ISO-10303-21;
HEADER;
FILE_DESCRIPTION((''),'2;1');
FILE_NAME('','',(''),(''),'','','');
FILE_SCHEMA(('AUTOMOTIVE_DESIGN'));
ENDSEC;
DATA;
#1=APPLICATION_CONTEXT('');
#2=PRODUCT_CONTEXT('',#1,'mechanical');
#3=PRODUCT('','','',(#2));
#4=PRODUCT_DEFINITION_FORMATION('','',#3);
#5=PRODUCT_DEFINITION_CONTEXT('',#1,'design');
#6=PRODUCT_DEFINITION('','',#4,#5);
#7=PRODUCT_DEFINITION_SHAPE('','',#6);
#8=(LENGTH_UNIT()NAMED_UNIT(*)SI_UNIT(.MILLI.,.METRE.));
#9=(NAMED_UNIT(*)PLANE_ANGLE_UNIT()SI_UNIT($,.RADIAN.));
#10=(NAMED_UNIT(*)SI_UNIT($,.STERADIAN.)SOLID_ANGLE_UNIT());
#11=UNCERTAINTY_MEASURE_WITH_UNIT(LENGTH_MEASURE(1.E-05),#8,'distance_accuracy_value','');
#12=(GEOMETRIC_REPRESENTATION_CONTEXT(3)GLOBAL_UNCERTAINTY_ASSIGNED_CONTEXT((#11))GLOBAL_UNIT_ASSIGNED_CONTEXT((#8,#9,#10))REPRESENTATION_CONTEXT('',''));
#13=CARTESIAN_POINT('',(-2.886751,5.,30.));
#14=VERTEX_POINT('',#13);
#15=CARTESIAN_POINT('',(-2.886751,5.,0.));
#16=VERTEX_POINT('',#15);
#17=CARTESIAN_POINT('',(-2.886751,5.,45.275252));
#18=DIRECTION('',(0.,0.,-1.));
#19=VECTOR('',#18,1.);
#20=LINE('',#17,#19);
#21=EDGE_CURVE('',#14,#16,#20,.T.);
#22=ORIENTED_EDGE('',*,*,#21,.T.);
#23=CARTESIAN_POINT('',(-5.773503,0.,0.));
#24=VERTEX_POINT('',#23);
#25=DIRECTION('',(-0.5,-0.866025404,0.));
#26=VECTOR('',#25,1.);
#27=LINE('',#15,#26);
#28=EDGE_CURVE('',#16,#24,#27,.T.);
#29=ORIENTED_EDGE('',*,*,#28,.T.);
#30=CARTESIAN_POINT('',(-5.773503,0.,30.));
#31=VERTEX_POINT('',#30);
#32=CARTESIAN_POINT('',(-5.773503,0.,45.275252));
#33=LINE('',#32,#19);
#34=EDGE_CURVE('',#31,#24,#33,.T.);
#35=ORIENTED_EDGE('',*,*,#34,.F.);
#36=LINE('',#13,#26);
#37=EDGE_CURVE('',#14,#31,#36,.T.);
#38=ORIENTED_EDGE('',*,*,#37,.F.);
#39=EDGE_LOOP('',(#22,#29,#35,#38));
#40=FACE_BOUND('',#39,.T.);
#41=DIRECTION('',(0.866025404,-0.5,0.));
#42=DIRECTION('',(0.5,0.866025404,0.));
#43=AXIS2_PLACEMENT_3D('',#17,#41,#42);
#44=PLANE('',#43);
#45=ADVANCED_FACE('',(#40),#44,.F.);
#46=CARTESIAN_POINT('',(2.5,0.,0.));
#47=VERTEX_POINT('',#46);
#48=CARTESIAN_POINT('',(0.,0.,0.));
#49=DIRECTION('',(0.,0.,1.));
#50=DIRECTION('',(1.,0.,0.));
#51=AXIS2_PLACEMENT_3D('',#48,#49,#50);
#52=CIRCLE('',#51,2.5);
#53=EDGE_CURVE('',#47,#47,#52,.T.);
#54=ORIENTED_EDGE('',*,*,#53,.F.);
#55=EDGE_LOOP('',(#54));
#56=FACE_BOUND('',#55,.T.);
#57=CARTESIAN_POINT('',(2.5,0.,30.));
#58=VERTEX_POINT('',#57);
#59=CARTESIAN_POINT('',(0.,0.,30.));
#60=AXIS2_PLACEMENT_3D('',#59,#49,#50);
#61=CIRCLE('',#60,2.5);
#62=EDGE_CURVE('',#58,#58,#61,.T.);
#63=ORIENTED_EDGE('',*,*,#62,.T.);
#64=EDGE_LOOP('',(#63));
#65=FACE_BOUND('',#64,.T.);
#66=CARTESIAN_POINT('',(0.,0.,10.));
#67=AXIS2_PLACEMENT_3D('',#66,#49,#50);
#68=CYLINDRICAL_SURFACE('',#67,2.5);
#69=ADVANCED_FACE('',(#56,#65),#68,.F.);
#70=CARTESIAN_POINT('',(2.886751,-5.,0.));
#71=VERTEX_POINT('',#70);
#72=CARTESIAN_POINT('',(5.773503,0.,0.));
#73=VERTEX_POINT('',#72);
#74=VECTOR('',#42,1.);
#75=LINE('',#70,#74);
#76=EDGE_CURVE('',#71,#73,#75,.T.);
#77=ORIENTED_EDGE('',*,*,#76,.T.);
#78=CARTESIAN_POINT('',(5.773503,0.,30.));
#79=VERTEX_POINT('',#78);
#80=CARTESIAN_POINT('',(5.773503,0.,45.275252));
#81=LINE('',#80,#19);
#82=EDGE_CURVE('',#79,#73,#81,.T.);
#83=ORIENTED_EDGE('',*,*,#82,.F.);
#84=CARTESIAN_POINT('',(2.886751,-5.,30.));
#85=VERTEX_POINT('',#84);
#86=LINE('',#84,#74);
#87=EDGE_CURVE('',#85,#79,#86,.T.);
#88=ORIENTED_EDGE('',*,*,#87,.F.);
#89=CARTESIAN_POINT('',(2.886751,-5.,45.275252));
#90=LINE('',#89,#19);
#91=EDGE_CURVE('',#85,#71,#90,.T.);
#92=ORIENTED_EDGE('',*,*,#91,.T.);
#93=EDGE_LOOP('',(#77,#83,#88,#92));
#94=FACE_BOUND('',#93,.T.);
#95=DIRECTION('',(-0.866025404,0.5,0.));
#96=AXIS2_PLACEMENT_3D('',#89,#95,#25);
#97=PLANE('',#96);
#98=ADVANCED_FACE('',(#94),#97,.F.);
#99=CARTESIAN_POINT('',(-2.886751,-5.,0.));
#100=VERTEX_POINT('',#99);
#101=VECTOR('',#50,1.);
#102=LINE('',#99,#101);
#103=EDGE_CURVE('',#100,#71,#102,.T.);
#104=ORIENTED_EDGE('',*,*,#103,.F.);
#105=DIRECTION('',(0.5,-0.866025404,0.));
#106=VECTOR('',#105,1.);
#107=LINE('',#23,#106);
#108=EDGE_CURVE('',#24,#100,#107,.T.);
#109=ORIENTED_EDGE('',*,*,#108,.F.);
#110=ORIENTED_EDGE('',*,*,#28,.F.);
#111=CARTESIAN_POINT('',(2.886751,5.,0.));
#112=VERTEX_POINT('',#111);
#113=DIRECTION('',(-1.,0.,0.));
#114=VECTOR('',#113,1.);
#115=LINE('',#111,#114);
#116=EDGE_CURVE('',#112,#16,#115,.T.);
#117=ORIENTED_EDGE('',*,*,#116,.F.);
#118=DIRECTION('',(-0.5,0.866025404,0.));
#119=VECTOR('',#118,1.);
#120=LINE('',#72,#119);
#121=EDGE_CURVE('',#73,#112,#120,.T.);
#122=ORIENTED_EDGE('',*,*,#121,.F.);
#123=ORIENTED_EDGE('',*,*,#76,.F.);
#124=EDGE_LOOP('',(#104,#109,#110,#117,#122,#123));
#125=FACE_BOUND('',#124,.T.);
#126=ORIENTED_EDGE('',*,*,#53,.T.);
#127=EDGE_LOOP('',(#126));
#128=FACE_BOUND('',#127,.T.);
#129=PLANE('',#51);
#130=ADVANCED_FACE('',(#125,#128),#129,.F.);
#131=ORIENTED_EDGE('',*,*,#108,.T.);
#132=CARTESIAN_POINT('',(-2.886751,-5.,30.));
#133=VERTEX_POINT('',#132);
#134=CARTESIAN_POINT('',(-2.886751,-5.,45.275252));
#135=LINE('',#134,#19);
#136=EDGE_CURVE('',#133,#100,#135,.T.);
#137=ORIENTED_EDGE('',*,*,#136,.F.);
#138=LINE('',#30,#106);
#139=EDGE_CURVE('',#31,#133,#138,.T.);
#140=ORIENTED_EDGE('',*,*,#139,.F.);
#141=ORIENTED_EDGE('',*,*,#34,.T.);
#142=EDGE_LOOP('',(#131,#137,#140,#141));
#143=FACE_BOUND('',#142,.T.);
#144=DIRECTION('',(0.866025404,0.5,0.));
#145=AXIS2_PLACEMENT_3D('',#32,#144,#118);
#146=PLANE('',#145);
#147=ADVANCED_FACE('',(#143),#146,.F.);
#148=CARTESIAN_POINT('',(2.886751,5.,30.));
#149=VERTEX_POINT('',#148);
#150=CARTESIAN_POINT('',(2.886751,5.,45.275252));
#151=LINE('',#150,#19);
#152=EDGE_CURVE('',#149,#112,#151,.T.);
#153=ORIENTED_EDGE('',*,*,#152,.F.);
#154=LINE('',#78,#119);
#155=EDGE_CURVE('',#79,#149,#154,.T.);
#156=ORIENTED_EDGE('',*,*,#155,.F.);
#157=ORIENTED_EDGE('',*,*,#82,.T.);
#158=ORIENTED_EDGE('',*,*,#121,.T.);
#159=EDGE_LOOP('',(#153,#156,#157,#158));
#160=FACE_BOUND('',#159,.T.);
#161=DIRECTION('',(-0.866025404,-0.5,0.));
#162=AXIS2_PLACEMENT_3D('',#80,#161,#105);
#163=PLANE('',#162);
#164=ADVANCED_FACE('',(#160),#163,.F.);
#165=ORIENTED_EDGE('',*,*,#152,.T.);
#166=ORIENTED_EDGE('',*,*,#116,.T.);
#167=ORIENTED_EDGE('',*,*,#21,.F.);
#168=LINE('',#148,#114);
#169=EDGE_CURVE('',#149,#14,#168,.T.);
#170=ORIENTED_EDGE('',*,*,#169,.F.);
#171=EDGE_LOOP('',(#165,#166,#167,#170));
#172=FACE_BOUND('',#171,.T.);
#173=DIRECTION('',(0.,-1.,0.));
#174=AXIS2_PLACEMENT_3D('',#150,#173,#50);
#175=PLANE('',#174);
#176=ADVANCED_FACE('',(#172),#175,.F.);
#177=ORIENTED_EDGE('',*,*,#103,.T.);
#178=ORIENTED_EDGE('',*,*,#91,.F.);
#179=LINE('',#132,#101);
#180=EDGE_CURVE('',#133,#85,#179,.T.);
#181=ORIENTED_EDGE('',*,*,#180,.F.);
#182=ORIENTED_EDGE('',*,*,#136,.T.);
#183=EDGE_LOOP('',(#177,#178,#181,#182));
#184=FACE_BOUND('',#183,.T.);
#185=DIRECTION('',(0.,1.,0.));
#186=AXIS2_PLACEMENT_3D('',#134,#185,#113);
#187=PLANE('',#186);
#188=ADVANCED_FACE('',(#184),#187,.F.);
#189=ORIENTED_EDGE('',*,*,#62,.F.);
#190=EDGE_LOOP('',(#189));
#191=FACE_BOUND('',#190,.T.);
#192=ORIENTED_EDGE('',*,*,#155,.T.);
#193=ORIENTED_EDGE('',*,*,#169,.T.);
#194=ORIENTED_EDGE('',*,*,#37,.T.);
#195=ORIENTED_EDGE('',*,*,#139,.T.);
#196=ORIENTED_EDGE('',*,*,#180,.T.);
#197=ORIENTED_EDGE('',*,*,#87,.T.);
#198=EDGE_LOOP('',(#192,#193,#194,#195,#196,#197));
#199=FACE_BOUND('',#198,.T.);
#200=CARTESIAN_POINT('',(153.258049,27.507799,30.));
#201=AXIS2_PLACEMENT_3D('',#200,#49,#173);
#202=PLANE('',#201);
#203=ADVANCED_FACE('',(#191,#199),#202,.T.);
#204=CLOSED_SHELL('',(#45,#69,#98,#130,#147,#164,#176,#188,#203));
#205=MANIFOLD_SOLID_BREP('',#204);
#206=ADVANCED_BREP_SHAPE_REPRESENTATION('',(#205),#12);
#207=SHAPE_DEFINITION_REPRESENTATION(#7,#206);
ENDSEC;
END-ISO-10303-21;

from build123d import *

# Parameters (mm, degrees)
BOSS_EXTRUDE1_DEPTH = 30
SKETCH2_R           = 2.5
CUT_EXTRUDE1_DEPTH  = 20


with BuildPart() as part:
    # Sketch1 → Boss-Extrude1 (new body)
    with BuildSketch(Plane.XY):
        Polygon((-5.773502692, 0), (-2.886751346, -5), (2.886751346, -5), (5.773502692, 0), (2.886751346, 5), (-2.886751346, 5), align=None)
    extrude(amount=BOSS_EXTRUDE1_DEPTH)

    # Sketch2 → Cut-Extrude1 (cut)
    with BuildSketch(Plane.XY.offset(30)):
        Circle(SKETCH2_R)
    cut_extrude1 = extrude(amount=-CUT_EXTRUDE1_DEPTH, mode=Mode.SUBTRACT)

    # Mirror1: Cut-Extrude1 across plane
    add(cut_extrude1.mirror(Plane.XY.offset(15)), mode=Mode.SUBTRACT)


solid = part.part
